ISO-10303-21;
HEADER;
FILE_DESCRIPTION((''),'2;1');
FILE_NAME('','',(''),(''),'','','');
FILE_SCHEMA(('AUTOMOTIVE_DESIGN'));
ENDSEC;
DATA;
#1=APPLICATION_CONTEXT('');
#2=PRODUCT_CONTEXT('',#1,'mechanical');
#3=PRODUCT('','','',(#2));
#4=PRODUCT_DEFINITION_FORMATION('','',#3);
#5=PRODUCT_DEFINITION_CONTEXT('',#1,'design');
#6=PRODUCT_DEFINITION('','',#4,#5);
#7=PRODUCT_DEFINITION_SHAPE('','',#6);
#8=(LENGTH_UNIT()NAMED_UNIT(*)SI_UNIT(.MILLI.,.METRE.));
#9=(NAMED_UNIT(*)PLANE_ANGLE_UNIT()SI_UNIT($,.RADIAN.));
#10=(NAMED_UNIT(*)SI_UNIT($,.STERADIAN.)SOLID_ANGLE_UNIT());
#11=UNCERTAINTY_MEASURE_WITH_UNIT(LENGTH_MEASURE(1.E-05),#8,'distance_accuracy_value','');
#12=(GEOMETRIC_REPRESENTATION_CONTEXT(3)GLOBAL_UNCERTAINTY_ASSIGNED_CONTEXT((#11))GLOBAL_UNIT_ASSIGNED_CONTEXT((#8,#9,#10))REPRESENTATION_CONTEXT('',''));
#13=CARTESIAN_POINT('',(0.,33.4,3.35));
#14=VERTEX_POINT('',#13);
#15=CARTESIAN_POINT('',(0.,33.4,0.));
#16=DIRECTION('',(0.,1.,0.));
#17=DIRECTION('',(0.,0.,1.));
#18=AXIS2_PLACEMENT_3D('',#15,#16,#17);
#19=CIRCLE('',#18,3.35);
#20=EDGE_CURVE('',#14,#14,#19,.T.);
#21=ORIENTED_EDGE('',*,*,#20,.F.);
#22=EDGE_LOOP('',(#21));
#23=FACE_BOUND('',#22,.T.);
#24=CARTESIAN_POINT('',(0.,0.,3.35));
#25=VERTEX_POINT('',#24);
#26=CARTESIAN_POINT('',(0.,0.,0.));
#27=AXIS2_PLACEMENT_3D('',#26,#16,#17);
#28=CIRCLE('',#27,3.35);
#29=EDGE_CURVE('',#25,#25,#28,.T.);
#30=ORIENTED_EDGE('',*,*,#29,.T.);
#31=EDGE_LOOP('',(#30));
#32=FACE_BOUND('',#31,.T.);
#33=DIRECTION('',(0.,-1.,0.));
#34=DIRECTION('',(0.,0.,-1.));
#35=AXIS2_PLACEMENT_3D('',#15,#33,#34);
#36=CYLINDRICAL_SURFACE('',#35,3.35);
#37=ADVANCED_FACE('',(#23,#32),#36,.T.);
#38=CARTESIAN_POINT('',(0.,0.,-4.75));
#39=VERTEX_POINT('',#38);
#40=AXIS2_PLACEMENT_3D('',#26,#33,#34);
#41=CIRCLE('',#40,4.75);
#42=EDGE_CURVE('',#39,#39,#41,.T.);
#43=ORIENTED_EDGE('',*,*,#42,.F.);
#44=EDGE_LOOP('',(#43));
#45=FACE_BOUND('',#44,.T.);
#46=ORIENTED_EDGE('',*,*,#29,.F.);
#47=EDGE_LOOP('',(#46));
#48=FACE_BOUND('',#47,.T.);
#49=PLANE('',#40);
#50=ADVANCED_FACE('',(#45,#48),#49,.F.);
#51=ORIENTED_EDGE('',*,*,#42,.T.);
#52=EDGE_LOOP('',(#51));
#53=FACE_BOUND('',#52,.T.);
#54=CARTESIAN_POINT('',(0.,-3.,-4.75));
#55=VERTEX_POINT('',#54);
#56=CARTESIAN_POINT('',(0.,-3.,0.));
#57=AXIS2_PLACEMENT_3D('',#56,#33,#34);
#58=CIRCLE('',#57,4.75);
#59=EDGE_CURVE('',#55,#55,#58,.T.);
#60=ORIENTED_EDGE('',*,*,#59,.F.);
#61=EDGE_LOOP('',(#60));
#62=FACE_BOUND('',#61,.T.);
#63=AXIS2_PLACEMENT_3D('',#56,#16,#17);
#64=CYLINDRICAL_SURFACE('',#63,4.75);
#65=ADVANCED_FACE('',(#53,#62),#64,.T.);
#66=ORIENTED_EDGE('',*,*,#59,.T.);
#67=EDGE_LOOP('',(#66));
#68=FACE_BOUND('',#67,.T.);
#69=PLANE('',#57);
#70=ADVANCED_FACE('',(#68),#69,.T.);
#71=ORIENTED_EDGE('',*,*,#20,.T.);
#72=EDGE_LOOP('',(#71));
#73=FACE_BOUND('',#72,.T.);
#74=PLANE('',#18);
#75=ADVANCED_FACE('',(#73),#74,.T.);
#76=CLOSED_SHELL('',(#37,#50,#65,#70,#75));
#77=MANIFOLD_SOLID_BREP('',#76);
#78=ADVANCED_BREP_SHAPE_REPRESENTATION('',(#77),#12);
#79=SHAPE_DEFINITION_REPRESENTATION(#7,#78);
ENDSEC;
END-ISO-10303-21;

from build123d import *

# Parameters (mm, degrees)
SKETCH1_R           = 3.35
BOSS_EXTRUDE1_DEPTH = 33.4
SKETCH2_R           = 4.75
BOSS_EXTRUDE2_DEPTH = 3


with BuildPart() as part:
    # Sketch1 → Boss-Extrude1 (new body)
    with BuildSketch(Plane(origin=(0, 0, 0), x_dir=(1, 0, 0), z_dir=(0, 1, 0))):
        Circle(SKETCH1_R)
    extrude(amount=BOSS_EXTRUDE1_DEPTH)

    # Sketch2 → Boss-Extrude2 (add)
    with BuildSketch(Plane.XZ):
        Circle(SKETCH2_R)
    extrude(amount=BOSS_EXTRUDE2_DEPTH)


solid = part.part
